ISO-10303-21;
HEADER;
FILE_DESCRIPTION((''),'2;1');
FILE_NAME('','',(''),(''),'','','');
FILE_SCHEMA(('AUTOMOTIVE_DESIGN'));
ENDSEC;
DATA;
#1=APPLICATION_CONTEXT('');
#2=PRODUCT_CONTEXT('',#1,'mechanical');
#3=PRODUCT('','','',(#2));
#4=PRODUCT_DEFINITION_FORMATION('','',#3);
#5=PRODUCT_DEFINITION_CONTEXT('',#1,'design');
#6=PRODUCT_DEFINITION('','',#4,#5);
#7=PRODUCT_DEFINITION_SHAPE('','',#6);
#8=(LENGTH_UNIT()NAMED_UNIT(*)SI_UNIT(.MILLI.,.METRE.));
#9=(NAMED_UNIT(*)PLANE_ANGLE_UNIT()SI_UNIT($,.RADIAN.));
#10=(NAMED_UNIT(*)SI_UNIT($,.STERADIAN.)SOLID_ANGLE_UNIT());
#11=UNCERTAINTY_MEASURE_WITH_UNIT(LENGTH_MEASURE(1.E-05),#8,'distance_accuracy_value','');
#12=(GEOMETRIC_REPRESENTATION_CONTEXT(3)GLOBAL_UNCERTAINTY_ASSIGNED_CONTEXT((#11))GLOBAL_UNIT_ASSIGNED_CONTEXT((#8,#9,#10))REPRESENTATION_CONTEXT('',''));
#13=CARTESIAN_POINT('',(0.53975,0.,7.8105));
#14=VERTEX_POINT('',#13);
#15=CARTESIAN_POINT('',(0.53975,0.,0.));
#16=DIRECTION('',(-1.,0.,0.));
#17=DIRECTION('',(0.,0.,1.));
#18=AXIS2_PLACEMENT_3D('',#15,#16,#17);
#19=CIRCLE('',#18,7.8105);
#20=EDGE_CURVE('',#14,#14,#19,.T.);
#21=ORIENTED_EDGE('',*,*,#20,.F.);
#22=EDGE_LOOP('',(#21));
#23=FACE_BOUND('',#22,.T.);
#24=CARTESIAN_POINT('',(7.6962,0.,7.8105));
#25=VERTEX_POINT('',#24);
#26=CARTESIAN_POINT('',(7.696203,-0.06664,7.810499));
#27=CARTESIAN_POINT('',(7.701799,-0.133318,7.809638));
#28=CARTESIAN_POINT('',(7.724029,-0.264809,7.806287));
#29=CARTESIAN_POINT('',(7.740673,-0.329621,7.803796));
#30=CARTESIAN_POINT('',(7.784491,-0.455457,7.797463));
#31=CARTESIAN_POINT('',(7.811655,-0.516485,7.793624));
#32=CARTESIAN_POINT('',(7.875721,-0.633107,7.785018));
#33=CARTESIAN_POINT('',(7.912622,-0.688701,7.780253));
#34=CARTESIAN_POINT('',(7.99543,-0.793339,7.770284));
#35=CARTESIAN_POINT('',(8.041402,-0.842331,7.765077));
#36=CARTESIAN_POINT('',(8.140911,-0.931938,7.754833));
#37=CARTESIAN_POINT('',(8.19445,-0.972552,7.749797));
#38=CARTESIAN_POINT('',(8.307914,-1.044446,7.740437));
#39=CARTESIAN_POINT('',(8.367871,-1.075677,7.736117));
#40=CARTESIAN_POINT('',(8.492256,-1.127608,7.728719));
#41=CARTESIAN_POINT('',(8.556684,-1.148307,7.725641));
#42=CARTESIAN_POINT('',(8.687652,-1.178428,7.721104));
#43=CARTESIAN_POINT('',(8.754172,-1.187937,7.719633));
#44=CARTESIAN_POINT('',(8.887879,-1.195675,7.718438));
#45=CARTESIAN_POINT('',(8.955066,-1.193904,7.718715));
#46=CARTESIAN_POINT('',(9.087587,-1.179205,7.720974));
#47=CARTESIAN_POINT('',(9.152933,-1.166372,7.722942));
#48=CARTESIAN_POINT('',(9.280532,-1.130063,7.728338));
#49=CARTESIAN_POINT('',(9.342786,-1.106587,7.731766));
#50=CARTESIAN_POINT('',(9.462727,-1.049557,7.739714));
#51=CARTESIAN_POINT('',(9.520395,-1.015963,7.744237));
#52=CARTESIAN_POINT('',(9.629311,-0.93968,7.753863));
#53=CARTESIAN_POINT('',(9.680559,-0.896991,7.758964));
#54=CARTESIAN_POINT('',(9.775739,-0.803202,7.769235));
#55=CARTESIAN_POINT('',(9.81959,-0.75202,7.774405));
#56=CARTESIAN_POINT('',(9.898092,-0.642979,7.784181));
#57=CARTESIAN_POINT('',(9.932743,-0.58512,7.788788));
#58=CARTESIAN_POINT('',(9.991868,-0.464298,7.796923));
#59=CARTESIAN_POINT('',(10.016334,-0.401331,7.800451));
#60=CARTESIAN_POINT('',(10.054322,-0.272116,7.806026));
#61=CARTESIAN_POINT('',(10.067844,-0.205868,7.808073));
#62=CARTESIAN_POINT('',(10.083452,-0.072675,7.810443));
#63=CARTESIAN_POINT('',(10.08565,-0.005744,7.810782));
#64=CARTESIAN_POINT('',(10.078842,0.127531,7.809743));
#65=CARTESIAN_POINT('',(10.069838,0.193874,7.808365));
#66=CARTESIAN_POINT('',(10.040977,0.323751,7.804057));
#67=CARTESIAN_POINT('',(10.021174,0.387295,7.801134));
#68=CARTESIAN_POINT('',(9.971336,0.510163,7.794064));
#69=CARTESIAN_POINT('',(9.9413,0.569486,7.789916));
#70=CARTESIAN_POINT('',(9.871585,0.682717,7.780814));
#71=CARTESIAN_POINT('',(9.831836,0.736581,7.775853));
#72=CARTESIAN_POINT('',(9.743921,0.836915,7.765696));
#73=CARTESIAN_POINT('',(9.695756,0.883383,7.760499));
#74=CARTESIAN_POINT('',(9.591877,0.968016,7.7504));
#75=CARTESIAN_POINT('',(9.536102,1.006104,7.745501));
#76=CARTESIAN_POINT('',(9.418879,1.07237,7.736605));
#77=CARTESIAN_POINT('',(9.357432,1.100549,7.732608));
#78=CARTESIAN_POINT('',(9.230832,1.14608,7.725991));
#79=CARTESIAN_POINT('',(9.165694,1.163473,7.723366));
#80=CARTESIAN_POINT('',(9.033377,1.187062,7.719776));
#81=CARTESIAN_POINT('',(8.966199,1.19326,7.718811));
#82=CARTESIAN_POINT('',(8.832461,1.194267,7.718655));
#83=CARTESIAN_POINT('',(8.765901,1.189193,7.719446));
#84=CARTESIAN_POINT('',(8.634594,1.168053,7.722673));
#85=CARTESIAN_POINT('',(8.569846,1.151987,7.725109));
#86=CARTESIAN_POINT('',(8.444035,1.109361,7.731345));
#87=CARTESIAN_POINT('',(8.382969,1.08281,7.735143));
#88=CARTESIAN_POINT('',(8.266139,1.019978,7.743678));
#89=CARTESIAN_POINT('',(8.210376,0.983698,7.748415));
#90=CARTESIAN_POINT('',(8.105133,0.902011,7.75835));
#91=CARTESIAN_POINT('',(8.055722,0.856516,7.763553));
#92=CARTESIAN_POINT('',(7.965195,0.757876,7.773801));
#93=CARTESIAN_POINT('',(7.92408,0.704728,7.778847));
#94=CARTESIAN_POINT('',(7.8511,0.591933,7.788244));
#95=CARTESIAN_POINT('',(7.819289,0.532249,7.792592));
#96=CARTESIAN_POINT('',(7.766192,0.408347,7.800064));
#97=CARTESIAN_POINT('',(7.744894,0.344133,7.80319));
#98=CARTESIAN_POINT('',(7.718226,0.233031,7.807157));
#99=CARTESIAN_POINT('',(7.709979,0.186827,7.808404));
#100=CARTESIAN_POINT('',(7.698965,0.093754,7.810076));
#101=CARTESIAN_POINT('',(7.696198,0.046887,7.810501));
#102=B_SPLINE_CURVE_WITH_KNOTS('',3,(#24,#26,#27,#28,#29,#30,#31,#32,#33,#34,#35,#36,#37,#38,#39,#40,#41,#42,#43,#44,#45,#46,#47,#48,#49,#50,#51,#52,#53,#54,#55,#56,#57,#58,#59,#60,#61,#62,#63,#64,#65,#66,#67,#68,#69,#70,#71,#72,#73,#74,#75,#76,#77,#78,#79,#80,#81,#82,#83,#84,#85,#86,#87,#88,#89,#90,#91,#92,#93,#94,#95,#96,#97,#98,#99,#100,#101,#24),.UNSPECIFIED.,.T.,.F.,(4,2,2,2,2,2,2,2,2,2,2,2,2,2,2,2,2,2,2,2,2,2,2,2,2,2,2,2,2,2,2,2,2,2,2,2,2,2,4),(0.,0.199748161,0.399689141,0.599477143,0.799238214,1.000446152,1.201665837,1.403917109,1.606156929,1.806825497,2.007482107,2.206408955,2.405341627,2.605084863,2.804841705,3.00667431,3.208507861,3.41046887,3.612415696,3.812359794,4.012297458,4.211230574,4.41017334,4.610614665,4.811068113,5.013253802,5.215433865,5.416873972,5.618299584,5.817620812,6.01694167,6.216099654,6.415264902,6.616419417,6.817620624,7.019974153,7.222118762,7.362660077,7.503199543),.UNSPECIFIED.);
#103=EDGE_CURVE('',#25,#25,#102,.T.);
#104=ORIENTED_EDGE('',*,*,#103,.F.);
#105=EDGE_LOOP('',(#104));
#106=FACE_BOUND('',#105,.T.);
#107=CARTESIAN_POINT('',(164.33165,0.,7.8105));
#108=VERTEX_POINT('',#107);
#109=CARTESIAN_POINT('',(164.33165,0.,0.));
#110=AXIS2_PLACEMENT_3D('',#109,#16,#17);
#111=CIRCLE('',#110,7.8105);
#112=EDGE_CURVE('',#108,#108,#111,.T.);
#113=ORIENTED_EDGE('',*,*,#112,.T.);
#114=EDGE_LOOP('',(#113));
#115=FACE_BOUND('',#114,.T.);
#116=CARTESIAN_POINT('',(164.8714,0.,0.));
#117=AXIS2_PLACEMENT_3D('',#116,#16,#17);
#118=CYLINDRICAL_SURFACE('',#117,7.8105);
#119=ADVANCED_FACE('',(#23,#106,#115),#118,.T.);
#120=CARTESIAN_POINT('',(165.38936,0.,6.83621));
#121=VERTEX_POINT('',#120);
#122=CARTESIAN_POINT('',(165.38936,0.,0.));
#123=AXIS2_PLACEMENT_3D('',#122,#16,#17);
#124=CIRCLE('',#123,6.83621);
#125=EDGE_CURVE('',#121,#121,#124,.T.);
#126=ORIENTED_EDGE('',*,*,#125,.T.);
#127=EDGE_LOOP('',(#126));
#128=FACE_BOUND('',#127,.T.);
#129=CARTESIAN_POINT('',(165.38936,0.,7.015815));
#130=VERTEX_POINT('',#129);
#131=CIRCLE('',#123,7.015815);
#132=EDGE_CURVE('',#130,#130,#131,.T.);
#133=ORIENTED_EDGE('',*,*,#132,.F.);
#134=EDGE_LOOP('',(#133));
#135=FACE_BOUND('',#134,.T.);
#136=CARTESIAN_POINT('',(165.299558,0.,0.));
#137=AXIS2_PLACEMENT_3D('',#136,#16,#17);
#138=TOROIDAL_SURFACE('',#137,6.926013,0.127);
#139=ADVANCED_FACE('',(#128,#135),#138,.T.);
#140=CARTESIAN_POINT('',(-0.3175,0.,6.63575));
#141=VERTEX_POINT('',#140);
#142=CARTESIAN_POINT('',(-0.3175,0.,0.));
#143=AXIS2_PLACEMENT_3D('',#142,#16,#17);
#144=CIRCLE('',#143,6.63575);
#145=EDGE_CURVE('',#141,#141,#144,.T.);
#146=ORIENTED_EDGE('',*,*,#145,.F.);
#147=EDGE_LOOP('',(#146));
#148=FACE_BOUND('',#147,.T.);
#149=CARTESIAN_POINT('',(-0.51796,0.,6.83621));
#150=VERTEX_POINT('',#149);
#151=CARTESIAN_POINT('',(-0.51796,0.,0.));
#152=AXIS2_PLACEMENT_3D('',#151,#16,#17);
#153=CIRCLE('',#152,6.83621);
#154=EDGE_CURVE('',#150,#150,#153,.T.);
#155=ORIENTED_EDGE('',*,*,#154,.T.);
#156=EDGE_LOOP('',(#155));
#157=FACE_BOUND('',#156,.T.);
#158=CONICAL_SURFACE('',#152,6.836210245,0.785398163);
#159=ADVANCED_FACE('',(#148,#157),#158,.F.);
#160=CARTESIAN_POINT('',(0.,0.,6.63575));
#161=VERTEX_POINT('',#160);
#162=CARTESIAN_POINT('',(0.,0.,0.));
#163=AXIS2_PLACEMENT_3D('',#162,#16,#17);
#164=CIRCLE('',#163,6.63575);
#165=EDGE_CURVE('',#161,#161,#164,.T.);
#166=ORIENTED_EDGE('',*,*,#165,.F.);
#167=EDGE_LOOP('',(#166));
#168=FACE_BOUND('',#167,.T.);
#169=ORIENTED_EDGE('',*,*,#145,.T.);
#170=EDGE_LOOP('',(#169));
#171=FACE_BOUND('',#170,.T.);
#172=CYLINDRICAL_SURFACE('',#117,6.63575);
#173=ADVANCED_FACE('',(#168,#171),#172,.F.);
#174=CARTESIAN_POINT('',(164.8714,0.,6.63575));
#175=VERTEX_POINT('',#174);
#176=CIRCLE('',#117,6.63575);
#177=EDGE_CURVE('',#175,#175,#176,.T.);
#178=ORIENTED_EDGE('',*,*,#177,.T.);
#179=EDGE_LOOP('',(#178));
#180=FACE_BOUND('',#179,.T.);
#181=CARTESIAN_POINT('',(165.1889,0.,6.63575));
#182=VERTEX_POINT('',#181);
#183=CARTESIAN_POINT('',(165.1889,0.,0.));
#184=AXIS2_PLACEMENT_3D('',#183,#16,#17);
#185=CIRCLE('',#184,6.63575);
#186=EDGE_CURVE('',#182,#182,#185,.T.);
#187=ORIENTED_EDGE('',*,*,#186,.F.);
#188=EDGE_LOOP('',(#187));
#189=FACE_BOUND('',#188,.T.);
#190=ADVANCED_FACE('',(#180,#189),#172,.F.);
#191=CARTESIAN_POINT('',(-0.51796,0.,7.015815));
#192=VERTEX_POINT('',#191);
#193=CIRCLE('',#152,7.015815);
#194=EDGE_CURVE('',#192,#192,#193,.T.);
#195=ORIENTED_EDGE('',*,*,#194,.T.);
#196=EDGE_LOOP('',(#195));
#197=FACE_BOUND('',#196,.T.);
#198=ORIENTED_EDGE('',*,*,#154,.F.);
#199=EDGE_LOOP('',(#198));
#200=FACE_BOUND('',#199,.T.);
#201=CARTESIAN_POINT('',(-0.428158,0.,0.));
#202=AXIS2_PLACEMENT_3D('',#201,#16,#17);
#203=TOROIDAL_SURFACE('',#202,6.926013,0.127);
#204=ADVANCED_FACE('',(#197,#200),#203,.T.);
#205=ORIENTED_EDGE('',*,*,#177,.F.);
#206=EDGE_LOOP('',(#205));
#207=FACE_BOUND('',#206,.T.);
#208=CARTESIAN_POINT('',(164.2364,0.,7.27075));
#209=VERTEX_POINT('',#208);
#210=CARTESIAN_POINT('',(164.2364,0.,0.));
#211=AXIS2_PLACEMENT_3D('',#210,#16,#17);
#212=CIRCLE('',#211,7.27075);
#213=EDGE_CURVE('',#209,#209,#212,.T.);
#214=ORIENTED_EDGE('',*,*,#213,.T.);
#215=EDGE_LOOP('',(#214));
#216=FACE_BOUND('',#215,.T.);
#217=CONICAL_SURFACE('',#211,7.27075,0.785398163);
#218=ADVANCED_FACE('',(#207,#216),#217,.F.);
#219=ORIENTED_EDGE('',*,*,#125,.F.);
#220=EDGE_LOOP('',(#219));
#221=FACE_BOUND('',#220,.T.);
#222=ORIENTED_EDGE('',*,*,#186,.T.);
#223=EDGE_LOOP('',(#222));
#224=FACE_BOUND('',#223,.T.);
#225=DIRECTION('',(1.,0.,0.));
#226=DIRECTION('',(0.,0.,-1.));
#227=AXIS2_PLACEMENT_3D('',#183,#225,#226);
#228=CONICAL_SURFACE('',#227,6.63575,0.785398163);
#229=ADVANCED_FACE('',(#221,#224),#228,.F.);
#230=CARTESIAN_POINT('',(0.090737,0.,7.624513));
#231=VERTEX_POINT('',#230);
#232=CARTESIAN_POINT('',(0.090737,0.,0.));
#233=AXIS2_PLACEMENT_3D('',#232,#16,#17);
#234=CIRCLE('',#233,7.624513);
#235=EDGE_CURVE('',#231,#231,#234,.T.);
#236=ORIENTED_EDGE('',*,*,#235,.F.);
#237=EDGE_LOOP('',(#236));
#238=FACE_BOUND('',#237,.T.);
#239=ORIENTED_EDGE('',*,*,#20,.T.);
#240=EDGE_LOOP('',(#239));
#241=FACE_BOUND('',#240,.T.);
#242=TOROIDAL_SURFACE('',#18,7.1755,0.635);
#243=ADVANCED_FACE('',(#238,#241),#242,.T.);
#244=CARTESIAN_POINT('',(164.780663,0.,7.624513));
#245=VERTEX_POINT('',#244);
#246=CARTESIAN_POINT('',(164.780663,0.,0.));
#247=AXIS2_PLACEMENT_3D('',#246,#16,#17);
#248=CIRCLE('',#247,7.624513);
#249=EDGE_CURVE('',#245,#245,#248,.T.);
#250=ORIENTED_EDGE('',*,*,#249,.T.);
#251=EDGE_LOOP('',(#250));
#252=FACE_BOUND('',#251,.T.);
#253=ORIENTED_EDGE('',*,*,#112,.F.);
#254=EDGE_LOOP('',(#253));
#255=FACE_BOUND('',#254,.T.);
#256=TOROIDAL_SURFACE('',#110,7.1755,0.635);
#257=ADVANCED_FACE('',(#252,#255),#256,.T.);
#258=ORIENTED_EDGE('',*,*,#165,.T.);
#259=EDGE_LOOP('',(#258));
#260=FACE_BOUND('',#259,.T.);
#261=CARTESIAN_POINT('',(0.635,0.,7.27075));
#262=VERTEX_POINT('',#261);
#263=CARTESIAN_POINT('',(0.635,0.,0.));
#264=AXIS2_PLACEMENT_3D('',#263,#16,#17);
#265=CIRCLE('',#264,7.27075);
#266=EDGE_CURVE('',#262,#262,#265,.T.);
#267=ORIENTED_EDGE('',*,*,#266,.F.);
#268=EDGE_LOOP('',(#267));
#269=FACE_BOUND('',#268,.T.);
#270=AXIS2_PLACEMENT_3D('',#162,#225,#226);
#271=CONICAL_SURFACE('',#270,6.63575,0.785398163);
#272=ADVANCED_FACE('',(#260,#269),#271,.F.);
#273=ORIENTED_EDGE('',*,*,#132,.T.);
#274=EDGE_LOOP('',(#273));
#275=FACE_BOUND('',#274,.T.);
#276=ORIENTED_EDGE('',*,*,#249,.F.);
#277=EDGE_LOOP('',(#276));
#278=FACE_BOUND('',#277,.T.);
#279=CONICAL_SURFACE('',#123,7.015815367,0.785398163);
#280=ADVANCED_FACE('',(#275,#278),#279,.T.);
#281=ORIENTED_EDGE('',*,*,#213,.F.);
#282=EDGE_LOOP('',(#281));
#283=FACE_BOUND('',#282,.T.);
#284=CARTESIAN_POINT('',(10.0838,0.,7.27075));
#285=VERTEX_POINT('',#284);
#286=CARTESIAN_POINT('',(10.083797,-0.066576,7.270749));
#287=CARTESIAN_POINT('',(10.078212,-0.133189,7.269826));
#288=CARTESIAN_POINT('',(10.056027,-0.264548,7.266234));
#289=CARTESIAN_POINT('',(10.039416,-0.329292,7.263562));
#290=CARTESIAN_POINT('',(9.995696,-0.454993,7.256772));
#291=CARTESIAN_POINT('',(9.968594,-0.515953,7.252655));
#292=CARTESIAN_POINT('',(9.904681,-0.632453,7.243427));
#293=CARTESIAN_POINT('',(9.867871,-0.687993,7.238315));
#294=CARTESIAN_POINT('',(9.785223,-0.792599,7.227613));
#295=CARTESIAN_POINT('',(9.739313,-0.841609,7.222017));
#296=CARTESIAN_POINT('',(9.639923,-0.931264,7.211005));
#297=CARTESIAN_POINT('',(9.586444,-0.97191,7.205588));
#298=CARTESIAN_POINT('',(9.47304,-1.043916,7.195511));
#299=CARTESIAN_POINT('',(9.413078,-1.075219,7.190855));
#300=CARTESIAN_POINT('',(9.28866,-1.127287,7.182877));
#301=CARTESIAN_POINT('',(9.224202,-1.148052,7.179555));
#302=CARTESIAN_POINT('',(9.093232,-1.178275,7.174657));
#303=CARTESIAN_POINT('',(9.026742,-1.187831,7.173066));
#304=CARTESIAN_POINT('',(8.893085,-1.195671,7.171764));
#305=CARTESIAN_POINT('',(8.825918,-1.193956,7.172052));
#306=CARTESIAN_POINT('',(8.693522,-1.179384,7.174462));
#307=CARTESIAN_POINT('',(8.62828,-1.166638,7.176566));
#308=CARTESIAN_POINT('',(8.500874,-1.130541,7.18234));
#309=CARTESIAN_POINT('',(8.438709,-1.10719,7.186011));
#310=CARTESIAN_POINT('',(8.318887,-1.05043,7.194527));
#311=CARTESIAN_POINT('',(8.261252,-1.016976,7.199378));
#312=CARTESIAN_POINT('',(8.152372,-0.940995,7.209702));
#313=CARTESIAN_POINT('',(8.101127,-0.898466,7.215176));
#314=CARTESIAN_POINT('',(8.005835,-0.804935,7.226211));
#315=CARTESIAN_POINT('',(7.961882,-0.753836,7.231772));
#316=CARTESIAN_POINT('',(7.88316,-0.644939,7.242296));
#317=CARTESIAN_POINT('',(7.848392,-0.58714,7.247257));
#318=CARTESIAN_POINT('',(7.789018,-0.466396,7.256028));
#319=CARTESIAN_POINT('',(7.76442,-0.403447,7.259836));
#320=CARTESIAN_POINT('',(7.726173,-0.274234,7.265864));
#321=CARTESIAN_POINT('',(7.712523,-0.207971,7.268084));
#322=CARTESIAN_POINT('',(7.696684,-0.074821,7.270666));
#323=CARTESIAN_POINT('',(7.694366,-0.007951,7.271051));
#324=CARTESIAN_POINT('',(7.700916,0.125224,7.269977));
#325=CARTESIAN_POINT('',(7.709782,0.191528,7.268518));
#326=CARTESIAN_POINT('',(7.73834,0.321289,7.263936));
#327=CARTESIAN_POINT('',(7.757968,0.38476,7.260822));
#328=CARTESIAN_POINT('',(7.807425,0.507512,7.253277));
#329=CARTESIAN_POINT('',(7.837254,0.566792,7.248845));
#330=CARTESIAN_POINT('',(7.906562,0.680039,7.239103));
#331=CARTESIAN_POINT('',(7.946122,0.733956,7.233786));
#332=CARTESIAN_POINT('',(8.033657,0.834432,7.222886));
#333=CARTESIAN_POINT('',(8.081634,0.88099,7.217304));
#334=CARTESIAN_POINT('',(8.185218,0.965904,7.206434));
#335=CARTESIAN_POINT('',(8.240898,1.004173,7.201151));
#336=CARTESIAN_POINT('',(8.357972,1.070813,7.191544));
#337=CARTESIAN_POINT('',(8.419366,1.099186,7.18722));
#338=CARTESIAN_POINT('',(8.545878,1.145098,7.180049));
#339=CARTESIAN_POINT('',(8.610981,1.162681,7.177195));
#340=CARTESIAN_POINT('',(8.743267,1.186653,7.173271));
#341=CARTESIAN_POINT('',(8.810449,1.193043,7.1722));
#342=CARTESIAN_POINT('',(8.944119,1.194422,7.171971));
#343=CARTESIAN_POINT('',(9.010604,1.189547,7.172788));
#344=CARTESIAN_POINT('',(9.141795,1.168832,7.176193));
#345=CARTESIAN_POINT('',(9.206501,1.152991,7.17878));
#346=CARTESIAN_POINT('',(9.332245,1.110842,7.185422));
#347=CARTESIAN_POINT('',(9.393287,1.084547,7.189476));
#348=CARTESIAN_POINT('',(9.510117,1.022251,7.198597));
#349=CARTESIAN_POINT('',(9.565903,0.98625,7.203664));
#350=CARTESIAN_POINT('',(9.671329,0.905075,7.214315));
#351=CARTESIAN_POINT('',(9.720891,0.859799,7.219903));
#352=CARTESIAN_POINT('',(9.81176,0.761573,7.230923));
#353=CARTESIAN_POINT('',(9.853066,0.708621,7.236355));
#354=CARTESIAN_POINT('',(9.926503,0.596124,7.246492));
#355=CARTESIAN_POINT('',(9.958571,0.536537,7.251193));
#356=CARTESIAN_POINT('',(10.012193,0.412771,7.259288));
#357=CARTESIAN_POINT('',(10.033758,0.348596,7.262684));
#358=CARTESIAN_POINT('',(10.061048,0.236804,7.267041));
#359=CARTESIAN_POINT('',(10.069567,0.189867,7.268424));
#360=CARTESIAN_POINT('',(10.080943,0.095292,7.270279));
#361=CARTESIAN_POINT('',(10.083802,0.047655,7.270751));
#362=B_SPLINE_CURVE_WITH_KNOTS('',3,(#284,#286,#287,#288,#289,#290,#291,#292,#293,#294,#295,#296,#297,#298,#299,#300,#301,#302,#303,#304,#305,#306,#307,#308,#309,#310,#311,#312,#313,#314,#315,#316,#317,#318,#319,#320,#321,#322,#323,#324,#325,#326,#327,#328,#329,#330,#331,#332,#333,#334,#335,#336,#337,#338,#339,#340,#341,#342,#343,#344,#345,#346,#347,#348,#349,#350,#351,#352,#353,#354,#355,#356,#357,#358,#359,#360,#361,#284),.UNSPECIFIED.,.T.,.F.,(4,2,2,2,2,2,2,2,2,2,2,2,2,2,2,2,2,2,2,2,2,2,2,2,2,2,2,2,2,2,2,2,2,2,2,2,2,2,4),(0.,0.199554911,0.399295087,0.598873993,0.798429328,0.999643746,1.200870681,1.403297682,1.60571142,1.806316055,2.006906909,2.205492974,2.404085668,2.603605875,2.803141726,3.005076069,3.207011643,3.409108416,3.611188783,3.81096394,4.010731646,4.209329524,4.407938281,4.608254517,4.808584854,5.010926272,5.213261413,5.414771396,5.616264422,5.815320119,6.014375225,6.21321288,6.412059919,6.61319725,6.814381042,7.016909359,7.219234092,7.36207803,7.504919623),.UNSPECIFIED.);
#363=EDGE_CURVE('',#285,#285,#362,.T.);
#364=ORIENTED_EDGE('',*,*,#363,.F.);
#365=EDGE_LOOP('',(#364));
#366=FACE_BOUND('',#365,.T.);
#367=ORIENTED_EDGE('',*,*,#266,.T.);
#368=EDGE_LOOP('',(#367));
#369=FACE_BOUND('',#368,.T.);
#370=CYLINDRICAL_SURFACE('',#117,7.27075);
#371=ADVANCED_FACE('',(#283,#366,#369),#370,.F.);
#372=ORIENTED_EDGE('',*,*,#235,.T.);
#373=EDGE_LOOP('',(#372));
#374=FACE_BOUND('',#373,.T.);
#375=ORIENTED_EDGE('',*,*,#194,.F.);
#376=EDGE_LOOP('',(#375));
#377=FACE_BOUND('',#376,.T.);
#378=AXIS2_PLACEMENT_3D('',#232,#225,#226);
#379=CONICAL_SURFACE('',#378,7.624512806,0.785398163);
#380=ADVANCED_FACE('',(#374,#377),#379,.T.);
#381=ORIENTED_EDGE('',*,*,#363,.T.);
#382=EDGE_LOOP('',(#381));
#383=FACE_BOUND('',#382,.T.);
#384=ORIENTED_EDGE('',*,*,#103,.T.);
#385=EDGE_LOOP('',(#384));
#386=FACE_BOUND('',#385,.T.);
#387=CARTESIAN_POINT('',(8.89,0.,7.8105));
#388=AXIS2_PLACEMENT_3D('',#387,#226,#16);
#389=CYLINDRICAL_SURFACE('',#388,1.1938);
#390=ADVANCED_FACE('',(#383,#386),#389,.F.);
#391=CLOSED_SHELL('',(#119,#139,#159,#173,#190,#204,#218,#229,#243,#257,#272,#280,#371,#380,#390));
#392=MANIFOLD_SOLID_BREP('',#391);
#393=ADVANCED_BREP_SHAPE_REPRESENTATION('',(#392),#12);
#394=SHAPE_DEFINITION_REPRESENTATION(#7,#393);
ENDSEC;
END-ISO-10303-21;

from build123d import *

# Parameters (mm, degrees)
SKETCH2_R          = 1.1938
CUT_EXTRUDE1_DEPTH = 7.8105


with BuildPart() as part:
    # Sketch1 → Revolve1 (revolve)
    with BuildSketch(Plane.XY):
        with BuildLine():
            Line((-0.517960245, 6.836210245), (-0.3175, 6.63575))
            Line((-0.3175, 6.63575), (0, 6.63575))
            Line((0, 6.63575), (0.635, 7.27075))
            Line((0.635, 7.27075), (164.2364, 7.27075))
            Line((164.2364, 7.27075), (164.8714, 6.63575))
            Line((164.8714, 6.63575), (165.1889, 6.63575))
            Line((165.1889, 6.63575), (165.389360245, 6.836210245))
            ThreePointArc((165.389360245, 6.836210245), (165.426557684, 6.926012806), (165.389360245, 7.015815367))
            Line((165.389360245, 7.015815367), (164.780662806, 7.624512806))
            ThreePointArc((164.780662806, 7.624512806), (164.57465398, 7.762163503), (164.33165, 7.8105))
            Line((164.33165, 7.8105), (0.53975, 7.8105))
            ThreePointArc((0.53975, 7.8105), (0.29674602, 7.762163503), (0.090737194, 7.624512806))
            Line((0.090737194, 7.624512806), (-0.517960245, 7.015815367))
            ThreePointArc((-0.517960245, 7.015815367), (-0.555157684, 6.926012806), (-0.517960245, 6.836210245))
        make_face()
    revolve(axis=Axis((164.8714, 0, 0), (-1, 0, 0)))

    # Sketch2 → Cut-Extrude1 (cut)
    with BuildSketch(Plane.XY):
        with Locations((8.89, 0)):
            Circle(SKETCH2_R)
    extrude(amount=CUT_EXTRUDE1_DEPTH, mode=Mode.SUBTRACT)


solid = part.part
